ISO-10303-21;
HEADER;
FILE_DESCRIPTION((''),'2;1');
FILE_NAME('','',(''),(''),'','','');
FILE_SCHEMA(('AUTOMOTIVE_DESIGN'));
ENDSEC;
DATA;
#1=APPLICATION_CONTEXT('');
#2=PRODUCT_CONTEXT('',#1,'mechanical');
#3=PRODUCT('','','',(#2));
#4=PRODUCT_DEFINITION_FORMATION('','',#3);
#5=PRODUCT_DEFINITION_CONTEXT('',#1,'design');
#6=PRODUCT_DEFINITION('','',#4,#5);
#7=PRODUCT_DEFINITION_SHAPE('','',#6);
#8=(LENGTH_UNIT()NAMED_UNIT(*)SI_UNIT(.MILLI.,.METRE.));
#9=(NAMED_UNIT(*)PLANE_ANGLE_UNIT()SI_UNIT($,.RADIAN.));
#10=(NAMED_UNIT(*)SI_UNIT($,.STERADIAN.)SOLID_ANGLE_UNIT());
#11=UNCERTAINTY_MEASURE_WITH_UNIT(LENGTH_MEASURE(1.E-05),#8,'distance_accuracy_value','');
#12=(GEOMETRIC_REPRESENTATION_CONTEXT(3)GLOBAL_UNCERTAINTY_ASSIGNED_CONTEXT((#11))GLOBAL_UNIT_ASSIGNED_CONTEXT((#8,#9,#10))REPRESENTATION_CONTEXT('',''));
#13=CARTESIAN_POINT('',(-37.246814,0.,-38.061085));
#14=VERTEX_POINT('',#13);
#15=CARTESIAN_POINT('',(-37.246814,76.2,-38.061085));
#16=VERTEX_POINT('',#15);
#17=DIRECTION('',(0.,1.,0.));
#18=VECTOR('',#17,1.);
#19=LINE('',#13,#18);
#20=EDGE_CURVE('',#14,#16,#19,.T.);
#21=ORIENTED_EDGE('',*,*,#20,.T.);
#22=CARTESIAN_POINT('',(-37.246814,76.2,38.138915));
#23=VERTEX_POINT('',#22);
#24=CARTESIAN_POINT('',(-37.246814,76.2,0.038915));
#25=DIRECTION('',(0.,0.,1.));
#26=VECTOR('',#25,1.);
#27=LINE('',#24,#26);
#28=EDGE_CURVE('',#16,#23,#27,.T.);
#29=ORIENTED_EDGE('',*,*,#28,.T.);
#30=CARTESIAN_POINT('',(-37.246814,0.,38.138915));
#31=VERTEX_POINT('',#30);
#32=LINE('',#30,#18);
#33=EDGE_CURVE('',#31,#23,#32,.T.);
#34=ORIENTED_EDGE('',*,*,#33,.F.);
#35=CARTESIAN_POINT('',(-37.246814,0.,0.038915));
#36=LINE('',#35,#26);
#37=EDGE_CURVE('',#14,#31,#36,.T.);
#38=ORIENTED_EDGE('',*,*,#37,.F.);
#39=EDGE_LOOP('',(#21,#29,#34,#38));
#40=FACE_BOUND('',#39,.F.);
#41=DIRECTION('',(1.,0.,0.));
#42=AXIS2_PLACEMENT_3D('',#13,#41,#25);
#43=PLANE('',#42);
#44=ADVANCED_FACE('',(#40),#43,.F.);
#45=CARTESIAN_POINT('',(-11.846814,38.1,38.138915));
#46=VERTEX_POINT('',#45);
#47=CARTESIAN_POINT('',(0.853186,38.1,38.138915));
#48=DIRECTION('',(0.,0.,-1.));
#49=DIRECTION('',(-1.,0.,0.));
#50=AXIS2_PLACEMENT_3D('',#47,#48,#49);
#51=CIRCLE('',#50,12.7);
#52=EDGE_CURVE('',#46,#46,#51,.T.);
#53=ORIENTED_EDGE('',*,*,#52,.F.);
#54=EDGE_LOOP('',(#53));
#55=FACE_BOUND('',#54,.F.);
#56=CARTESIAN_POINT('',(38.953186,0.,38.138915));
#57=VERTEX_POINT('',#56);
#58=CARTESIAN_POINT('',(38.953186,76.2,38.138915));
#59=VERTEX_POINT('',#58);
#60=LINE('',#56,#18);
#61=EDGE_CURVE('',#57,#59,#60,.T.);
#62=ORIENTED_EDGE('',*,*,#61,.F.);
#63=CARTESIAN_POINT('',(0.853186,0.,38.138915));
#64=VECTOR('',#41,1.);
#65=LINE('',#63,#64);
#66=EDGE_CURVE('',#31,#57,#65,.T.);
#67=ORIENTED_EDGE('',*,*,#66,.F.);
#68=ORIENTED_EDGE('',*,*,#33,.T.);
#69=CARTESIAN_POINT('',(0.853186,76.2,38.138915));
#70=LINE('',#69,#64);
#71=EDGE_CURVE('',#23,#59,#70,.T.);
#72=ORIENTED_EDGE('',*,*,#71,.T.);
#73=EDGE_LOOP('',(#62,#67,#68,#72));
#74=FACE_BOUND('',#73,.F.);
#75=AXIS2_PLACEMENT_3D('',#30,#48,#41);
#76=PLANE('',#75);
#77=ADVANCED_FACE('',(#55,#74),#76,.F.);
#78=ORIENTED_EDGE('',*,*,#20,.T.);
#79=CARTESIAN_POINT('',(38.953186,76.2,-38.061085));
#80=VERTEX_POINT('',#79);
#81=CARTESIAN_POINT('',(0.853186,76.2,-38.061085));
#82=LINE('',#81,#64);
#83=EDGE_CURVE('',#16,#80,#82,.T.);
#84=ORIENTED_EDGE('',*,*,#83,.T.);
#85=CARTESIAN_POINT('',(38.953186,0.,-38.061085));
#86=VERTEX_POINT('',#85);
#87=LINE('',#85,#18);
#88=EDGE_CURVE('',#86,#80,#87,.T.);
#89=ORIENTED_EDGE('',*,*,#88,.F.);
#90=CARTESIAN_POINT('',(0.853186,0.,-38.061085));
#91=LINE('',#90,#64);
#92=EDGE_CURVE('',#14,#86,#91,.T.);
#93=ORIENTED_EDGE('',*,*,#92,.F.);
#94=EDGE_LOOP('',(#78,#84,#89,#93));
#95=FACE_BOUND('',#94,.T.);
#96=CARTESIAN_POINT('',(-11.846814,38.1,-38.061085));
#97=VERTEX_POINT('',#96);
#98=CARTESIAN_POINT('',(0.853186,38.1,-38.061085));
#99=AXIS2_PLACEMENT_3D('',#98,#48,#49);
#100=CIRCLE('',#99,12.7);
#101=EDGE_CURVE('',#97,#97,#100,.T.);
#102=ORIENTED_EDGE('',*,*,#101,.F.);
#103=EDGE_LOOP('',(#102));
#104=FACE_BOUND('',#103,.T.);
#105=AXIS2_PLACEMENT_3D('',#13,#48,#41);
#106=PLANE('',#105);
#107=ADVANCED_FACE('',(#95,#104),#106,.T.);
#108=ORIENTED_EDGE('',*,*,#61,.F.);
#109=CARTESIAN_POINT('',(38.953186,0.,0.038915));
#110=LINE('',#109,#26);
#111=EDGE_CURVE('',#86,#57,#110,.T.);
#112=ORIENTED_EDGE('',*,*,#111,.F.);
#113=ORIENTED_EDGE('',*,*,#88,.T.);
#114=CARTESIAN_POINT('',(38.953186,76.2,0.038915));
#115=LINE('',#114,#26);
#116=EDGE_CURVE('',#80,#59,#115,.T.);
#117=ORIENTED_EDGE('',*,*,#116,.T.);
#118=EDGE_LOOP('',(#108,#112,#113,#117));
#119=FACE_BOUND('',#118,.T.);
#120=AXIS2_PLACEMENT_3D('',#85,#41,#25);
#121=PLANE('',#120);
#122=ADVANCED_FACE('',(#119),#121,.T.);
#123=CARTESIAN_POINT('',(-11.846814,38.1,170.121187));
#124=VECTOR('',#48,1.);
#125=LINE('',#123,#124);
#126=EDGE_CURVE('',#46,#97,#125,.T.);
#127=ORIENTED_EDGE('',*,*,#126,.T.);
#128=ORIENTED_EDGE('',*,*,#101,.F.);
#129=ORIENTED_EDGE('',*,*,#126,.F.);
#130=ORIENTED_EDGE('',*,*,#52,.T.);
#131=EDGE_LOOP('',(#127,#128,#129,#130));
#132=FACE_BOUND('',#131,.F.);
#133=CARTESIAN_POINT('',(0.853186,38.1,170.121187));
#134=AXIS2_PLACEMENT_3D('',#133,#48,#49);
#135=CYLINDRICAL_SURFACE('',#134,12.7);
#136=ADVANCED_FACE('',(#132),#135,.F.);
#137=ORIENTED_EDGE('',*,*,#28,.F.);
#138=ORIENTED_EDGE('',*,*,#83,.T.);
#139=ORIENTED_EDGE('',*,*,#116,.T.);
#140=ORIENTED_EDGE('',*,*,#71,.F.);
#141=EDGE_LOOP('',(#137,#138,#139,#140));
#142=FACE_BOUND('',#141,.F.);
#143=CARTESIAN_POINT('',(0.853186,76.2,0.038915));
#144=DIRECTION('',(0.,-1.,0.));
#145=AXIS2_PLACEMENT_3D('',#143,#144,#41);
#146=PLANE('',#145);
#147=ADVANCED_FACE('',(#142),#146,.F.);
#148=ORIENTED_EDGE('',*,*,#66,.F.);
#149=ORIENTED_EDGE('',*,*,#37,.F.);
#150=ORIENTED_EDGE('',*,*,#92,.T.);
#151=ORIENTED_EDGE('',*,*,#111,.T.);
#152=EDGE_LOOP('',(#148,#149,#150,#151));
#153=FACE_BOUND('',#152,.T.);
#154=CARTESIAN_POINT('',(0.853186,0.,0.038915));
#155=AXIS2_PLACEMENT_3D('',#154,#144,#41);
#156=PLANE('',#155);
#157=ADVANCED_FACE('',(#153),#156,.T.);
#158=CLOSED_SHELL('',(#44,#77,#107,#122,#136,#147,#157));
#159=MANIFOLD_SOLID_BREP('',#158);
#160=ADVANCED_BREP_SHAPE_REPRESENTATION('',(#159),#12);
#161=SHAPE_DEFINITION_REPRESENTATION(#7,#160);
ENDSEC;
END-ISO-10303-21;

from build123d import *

# Parameters (mm, degrees)
F0_W     = 76.2
F0_H     = 76.2
F1_DEPTH = 76.2
F3_D     = 25.4


with BuildPart() as f1:
    # F0 (on Front) → F1 (new body)
    with BuildSketch(Plane.XZ):
        with Locations((0.853186, 0.038915)):
            Rectangle(F0_W, F0_H)
    extrude(amount=-F1_DEPTH)

    # F3 (through all)
    with Locations(Plane.XY.offset(38.138915)):
        with Locations((0.853186, 38.1)):
            Hole(F3_D / 2)


solid = f1.part
